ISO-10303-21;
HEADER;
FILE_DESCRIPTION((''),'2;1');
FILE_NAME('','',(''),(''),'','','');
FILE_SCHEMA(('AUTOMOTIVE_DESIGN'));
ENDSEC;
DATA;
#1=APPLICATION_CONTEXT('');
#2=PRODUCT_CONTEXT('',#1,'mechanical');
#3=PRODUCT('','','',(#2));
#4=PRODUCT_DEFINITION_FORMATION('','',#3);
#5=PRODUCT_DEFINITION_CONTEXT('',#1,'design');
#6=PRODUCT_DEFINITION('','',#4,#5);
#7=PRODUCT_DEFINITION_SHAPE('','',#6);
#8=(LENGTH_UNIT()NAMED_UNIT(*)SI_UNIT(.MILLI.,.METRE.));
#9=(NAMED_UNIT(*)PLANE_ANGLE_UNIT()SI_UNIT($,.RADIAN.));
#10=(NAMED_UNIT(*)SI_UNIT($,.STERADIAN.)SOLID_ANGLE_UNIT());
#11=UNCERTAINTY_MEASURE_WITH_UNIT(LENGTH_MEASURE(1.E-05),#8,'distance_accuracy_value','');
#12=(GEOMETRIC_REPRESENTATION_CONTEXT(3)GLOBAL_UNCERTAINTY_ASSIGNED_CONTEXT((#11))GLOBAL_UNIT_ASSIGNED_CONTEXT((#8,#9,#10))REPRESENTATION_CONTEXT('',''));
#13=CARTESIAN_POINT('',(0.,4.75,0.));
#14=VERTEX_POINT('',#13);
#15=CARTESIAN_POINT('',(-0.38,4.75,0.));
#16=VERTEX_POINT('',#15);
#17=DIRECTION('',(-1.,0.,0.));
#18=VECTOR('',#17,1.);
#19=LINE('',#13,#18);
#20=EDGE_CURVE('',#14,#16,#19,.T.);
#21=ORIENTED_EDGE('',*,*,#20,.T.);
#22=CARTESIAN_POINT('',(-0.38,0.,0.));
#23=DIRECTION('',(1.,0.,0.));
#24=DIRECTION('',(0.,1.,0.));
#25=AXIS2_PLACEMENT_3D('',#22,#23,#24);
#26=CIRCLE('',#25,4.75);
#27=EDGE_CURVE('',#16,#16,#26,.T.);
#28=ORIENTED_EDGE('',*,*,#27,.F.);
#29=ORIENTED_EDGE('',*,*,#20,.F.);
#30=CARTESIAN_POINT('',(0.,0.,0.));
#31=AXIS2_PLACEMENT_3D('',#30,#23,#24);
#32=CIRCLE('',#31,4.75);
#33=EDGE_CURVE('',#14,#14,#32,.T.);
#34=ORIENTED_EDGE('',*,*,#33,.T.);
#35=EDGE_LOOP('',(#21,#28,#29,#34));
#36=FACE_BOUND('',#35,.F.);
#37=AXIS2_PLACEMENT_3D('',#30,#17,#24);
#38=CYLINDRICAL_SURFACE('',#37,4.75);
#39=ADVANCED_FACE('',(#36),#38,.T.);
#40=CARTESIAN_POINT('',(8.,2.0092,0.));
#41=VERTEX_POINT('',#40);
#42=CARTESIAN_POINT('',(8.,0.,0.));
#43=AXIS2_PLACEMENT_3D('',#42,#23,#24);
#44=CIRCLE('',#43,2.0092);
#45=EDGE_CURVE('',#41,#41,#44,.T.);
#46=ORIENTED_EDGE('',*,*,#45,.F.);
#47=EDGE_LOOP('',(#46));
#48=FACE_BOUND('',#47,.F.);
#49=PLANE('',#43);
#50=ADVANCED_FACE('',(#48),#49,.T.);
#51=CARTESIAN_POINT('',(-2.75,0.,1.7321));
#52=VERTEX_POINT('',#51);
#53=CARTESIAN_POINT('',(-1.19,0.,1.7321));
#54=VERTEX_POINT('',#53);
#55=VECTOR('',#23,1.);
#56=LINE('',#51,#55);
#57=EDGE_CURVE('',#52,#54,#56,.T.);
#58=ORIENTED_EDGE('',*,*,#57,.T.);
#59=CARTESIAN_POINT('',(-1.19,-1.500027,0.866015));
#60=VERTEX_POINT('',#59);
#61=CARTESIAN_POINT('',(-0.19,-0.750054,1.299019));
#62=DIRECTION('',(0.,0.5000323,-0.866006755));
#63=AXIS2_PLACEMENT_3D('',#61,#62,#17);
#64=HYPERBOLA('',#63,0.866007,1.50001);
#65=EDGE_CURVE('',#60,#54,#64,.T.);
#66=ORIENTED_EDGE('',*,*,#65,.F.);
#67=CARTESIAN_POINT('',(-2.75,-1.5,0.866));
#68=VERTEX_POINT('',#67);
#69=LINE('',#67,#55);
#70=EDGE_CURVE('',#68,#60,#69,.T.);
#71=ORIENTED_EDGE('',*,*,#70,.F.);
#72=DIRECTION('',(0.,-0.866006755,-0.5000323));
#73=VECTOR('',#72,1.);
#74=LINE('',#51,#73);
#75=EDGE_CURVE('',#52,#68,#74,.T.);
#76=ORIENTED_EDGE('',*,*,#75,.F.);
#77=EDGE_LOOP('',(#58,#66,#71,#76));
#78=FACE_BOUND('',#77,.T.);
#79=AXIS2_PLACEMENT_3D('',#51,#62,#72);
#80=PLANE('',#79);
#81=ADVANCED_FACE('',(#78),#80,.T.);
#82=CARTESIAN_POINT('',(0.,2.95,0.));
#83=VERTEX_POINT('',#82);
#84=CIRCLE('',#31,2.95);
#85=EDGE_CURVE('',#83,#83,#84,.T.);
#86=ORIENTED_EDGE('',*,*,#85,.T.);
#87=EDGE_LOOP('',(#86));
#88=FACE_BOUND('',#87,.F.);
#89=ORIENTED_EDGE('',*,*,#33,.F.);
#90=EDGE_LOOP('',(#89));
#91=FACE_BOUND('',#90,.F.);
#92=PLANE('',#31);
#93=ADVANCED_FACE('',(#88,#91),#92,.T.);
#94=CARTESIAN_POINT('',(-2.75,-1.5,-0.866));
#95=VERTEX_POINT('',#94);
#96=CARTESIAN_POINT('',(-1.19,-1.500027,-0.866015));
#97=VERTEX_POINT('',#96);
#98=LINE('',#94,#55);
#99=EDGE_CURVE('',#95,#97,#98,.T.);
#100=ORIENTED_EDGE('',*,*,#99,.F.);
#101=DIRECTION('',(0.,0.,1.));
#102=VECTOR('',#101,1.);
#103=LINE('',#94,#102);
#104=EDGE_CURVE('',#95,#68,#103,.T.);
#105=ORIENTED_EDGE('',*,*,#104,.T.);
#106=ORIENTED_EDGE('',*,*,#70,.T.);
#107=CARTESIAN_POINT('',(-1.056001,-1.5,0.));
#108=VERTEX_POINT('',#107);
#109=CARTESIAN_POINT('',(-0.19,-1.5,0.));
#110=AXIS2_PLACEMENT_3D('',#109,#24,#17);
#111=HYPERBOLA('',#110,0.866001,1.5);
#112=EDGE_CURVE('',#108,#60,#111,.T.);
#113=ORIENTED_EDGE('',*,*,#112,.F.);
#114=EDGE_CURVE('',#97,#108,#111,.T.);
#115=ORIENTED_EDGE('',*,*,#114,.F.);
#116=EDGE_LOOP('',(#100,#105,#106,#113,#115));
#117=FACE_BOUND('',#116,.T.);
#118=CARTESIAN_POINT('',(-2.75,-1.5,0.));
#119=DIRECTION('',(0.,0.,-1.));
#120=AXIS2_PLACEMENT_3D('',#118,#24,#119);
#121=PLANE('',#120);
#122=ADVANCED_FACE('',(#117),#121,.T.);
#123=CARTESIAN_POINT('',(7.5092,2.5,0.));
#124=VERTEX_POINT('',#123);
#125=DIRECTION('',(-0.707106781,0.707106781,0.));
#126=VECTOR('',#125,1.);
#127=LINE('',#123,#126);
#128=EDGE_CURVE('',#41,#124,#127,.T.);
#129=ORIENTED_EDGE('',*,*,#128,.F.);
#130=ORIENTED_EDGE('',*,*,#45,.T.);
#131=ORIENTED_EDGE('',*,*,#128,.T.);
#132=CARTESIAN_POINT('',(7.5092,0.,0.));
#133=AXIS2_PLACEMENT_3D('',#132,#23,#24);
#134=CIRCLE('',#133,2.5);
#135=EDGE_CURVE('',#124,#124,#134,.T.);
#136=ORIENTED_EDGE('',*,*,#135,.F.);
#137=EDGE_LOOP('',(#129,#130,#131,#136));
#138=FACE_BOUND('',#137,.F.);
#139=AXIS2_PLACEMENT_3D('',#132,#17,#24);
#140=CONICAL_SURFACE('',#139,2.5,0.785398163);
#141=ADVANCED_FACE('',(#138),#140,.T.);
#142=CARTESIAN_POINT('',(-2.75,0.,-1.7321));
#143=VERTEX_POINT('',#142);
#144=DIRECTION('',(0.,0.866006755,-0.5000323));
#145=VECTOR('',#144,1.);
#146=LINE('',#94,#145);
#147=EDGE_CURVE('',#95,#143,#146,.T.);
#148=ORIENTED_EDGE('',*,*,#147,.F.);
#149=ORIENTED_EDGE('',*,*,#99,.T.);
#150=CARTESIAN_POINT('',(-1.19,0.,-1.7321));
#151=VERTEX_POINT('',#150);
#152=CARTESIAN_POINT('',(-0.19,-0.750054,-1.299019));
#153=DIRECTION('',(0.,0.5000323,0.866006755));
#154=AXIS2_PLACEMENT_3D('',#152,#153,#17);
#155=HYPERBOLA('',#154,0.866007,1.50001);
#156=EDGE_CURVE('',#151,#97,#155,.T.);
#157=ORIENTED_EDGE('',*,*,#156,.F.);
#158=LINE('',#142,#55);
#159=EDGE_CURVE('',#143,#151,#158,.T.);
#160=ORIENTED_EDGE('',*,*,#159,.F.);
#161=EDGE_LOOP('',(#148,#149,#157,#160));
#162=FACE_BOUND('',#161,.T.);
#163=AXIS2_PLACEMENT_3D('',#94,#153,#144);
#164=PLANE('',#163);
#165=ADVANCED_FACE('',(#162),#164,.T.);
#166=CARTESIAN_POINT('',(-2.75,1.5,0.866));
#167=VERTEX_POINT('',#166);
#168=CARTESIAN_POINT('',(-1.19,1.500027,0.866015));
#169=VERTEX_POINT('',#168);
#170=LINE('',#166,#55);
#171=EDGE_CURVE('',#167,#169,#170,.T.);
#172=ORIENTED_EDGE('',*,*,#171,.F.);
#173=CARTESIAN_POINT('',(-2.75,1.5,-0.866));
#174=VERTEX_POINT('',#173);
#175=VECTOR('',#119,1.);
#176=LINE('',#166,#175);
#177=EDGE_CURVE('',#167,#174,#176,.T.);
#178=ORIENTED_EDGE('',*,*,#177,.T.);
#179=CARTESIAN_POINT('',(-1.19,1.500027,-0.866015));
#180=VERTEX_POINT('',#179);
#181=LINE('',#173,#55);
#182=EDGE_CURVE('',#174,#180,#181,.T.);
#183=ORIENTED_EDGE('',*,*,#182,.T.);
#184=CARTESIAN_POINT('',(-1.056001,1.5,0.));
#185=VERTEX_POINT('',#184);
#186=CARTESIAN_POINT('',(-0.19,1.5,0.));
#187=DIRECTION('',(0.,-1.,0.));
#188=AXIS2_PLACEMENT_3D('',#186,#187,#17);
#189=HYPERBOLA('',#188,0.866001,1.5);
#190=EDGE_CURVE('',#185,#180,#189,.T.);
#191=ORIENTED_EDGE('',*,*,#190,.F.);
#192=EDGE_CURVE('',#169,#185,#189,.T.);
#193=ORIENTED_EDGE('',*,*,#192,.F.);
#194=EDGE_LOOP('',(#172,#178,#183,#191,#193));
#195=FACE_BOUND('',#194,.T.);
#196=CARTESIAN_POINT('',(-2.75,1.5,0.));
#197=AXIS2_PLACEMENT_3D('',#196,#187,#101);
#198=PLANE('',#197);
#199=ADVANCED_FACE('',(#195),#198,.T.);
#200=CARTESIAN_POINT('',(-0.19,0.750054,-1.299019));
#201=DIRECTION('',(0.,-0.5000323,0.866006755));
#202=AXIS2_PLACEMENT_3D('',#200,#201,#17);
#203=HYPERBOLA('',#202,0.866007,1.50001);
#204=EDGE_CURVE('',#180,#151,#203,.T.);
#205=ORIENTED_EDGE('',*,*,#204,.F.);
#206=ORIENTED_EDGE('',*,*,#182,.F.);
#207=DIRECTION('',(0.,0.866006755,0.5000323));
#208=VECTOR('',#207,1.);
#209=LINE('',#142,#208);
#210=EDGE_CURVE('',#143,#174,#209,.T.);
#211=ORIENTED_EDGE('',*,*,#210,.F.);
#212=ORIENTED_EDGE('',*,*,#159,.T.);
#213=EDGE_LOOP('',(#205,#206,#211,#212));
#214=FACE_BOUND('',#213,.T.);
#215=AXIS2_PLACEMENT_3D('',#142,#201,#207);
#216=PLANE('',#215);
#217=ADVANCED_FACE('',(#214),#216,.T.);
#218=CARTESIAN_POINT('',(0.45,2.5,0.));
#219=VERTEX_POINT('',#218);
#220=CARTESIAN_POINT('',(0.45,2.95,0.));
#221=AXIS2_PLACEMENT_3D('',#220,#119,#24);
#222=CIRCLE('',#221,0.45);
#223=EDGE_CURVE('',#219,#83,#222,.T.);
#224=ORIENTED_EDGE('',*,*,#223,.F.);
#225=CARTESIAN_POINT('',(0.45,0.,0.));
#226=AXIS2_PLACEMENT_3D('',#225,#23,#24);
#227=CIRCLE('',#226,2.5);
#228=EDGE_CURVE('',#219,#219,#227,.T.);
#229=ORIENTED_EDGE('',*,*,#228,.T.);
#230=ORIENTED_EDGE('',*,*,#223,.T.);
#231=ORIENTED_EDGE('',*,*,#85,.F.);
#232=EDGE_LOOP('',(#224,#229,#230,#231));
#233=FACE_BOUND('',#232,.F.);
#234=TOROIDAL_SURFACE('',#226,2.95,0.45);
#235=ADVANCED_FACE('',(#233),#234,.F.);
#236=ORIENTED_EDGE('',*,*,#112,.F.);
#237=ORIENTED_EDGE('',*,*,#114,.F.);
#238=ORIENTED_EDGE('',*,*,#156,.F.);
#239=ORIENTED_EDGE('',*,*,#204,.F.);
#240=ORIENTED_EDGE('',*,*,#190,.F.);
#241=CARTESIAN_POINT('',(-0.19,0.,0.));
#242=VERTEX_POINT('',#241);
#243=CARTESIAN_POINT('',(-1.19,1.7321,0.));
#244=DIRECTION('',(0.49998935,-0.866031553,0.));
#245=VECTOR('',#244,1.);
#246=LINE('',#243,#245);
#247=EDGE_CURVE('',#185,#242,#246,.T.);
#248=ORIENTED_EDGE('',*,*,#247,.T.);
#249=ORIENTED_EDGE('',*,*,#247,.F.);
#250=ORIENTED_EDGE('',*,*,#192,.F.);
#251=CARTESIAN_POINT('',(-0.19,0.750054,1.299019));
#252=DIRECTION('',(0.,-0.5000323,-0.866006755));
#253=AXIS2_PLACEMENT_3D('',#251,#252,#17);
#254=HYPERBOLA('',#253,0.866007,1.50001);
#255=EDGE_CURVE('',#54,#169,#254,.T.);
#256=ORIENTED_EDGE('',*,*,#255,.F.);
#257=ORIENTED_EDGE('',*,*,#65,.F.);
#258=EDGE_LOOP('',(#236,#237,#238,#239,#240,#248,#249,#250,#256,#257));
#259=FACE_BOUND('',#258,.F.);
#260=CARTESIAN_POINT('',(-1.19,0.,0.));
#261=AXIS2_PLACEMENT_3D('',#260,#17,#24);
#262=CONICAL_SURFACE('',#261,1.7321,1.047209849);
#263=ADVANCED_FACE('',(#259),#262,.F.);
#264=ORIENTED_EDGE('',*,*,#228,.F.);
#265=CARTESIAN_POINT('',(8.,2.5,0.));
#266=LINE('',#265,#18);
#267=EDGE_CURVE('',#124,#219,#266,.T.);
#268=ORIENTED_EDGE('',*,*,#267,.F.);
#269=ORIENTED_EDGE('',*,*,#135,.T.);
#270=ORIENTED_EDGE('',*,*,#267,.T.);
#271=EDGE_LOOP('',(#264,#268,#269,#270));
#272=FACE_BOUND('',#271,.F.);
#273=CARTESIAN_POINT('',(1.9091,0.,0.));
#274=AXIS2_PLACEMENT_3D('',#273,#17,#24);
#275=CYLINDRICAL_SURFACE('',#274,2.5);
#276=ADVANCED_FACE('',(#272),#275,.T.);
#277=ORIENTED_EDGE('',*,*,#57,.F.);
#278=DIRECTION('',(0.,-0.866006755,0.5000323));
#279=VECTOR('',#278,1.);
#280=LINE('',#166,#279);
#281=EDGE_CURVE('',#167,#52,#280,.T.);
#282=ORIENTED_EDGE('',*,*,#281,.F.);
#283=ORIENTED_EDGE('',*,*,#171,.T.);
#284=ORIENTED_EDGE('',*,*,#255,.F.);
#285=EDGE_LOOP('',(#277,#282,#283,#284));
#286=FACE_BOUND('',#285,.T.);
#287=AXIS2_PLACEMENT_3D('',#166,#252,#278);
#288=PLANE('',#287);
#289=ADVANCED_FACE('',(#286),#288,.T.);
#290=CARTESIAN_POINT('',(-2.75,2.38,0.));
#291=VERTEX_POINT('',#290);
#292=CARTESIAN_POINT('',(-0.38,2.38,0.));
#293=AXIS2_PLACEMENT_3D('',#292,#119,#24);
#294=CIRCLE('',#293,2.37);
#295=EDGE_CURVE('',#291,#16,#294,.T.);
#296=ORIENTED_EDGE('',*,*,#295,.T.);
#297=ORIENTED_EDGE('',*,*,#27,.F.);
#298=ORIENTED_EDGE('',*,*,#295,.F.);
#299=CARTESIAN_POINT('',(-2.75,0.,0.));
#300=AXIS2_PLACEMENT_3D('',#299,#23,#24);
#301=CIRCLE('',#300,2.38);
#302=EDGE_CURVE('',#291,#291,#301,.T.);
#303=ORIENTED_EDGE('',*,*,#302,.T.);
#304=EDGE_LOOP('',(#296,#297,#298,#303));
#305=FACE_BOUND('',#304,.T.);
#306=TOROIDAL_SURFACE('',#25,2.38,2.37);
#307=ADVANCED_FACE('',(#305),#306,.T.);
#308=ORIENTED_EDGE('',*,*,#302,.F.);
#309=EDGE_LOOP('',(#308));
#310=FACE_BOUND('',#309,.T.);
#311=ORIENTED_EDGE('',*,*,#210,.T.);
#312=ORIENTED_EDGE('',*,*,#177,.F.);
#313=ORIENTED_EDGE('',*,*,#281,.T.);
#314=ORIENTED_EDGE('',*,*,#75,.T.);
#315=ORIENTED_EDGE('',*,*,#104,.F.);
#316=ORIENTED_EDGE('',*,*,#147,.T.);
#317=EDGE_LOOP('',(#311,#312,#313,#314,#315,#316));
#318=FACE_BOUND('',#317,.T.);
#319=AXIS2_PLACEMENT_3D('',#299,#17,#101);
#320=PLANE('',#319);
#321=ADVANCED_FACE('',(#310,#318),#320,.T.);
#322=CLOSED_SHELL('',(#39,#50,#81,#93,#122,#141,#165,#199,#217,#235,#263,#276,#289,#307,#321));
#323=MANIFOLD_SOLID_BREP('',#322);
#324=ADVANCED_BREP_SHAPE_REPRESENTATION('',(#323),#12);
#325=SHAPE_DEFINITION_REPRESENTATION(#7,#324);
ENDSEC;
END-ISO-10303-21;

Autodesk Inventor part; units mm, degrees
ref_plane "YZ Plane" through (0, 0, 0) normal (1, 0, 0) x (0, 1, 0)
ref_plane "XZ Plane" through (0, 0, 0) normal (0, 1, 0) x (-1, 0, 0)
sketch "Sketch1" plane through (0, 0, 0) normal (0, 0, 1) x (1, 0, 0)
  line L0 (-0.19, 0) -> (8, 0)
  line L1 (8, 0) -> (8, 2.5)
  line L2 (8, 2.5) -> (2.4, 2.5)
  line L3 (2.4, 2.5) -> (1.9091, 2.5)
  line L4 (1.9091, 2.5) -> (0, 2.5)
  line L5 (0, 2.5) -> (0, 4.75)
  line L6 (0, 4.75) -> (-2.75, 4.75)
  line L7 (-2.75, 4.75) -> (-2.75, 1.7321)
  line L8 (-2.75, 1.7321) -> (-1.19, 1.7321)
  line L9 (-1.19, 1.7321) -> (-0.19, 0)
  line L10 (-4.9, 0) -> (10.15, 0) projected
  line L11 (0, -0.95) -> (0, 5.7) projected
  line L12 (2.4, 2.5) -> (0, 2.5) construction
  dimension "d1" = 5.6
  dimension "d2" = 0.4909
  dimension "d3" = 2.75
  dimension "d4" = 1.56
  dimension "d5" = 60
  dimension "d6" = 5
  dimension "d7" = 5
  dimension "d8" = 3.4641
  dimension "d9" = 9.5
  dimension "d26" = 8
revolve "Body" add sketch "Sketch1" angle 360 about axis through (-0.19, 0, 0) along (1, 0, 0)
sketch "Sketch2" plane through (-2.75, 0, 0) normal (-1, 0, 0) x (0, 0, 1)
  circle A0 centre (0, 0) radius 1.7321 projected
  line L0 (0, -6.65) -> (0, 6.65) projected
  line L1 (-6.65, 0) -> (6.65, 0) projected
  line L2 (1.7321, 0) -> (0.866, -1.5)
  line L3 (0.866, -1.5) -> (-0.866, -1.5)
  line L4 (-0.866, -1.5) -> (-1.7321, 0)
  line L5 (-1.7321, 0) -> (-0.866, 1.5)
  line L6 (-0.866, 1.5) -> (0.866, 1.5)
  line L7 (0.866, 1.5) -> (1.7321, 0)
extrude "Slot" add sketch "Sketch2" against normal up to next contours L7 A0 | A0 L2 | L6 L0 A0 | A0 L0 L3 | L0 L6 A0 | A0 L3 L0 | L4 A0 | A0 L5
fillet "Fillet1" radius 2.37 1 edges at (-2.75, -4.75, 0)
thread "Thread" size "M5x0.8" class "6g" standard "ISO Metric profile" length 5.6
chamfer "Chamfer1" distance 0.4908 distance2 0.4908 1 edges at (8, -2.5, 0) measured on face at (8, -0.6238, -0.819)
ref_plane "Work Plane1" through (29, 0, 0) normal (0, -1, 0) x (1, 0, 0)
fillet "Fillet2" radius 0.45 1 edges at (0, -2.5, 0)
equation "\"d30\" = R"
equation "\"d17\" = RR"
equation "\"d13\" = GEL"
equation "\"d15\" = -0.5 * SPD + 0.5 * GD"
equation "\"d16\" = GUL"
equation "\"d1\" = GEL"
equation "\"d3\" = KOH"
equation "\"d4\" = INTI"
equation "\"d6\" = GD"
equation "\"d7\" = BDM"
equation "\"d8\" = 1.1547 * SW"
equation "\"d9\" = KOD"
equation "\"d26\" = NLG"
equation "\"GD\" = NND"
equation "\"NLG\" = 8"
equation "\"GEL\" = 5.6"
equation "\"KOD\" = 9.5"
equation "\"KOH\" = 2.75"
equation "\"INTI\" = 1.56"
equation "\"GAL\" = 0.61345 * PTC"
equation "\"GUL\" = 0.61345 * PTC"
equation "\"BDM\" = NND"
equation "\"SW\" = 3"
equation "\"RR\" = 2.37"
equation "\"SPD\" = NND - 1.2269 * PTC"
equation "\"R\" = 0.45"
equation "\"TOA\" = 30deg"
equation "\"GD1\" = THREADDIA - 1.2269 * PTC"
equation "\"THREADDIA\" = 5"
equation "\"PTC\" = 0.8"
equation "\"NND\" = 5"
equation "\"KOH1\" = 0.38"
equation "\"E0\" = 3.443"
properties part number "ISO 7380-1 - M5 x 8" material "Steel"
